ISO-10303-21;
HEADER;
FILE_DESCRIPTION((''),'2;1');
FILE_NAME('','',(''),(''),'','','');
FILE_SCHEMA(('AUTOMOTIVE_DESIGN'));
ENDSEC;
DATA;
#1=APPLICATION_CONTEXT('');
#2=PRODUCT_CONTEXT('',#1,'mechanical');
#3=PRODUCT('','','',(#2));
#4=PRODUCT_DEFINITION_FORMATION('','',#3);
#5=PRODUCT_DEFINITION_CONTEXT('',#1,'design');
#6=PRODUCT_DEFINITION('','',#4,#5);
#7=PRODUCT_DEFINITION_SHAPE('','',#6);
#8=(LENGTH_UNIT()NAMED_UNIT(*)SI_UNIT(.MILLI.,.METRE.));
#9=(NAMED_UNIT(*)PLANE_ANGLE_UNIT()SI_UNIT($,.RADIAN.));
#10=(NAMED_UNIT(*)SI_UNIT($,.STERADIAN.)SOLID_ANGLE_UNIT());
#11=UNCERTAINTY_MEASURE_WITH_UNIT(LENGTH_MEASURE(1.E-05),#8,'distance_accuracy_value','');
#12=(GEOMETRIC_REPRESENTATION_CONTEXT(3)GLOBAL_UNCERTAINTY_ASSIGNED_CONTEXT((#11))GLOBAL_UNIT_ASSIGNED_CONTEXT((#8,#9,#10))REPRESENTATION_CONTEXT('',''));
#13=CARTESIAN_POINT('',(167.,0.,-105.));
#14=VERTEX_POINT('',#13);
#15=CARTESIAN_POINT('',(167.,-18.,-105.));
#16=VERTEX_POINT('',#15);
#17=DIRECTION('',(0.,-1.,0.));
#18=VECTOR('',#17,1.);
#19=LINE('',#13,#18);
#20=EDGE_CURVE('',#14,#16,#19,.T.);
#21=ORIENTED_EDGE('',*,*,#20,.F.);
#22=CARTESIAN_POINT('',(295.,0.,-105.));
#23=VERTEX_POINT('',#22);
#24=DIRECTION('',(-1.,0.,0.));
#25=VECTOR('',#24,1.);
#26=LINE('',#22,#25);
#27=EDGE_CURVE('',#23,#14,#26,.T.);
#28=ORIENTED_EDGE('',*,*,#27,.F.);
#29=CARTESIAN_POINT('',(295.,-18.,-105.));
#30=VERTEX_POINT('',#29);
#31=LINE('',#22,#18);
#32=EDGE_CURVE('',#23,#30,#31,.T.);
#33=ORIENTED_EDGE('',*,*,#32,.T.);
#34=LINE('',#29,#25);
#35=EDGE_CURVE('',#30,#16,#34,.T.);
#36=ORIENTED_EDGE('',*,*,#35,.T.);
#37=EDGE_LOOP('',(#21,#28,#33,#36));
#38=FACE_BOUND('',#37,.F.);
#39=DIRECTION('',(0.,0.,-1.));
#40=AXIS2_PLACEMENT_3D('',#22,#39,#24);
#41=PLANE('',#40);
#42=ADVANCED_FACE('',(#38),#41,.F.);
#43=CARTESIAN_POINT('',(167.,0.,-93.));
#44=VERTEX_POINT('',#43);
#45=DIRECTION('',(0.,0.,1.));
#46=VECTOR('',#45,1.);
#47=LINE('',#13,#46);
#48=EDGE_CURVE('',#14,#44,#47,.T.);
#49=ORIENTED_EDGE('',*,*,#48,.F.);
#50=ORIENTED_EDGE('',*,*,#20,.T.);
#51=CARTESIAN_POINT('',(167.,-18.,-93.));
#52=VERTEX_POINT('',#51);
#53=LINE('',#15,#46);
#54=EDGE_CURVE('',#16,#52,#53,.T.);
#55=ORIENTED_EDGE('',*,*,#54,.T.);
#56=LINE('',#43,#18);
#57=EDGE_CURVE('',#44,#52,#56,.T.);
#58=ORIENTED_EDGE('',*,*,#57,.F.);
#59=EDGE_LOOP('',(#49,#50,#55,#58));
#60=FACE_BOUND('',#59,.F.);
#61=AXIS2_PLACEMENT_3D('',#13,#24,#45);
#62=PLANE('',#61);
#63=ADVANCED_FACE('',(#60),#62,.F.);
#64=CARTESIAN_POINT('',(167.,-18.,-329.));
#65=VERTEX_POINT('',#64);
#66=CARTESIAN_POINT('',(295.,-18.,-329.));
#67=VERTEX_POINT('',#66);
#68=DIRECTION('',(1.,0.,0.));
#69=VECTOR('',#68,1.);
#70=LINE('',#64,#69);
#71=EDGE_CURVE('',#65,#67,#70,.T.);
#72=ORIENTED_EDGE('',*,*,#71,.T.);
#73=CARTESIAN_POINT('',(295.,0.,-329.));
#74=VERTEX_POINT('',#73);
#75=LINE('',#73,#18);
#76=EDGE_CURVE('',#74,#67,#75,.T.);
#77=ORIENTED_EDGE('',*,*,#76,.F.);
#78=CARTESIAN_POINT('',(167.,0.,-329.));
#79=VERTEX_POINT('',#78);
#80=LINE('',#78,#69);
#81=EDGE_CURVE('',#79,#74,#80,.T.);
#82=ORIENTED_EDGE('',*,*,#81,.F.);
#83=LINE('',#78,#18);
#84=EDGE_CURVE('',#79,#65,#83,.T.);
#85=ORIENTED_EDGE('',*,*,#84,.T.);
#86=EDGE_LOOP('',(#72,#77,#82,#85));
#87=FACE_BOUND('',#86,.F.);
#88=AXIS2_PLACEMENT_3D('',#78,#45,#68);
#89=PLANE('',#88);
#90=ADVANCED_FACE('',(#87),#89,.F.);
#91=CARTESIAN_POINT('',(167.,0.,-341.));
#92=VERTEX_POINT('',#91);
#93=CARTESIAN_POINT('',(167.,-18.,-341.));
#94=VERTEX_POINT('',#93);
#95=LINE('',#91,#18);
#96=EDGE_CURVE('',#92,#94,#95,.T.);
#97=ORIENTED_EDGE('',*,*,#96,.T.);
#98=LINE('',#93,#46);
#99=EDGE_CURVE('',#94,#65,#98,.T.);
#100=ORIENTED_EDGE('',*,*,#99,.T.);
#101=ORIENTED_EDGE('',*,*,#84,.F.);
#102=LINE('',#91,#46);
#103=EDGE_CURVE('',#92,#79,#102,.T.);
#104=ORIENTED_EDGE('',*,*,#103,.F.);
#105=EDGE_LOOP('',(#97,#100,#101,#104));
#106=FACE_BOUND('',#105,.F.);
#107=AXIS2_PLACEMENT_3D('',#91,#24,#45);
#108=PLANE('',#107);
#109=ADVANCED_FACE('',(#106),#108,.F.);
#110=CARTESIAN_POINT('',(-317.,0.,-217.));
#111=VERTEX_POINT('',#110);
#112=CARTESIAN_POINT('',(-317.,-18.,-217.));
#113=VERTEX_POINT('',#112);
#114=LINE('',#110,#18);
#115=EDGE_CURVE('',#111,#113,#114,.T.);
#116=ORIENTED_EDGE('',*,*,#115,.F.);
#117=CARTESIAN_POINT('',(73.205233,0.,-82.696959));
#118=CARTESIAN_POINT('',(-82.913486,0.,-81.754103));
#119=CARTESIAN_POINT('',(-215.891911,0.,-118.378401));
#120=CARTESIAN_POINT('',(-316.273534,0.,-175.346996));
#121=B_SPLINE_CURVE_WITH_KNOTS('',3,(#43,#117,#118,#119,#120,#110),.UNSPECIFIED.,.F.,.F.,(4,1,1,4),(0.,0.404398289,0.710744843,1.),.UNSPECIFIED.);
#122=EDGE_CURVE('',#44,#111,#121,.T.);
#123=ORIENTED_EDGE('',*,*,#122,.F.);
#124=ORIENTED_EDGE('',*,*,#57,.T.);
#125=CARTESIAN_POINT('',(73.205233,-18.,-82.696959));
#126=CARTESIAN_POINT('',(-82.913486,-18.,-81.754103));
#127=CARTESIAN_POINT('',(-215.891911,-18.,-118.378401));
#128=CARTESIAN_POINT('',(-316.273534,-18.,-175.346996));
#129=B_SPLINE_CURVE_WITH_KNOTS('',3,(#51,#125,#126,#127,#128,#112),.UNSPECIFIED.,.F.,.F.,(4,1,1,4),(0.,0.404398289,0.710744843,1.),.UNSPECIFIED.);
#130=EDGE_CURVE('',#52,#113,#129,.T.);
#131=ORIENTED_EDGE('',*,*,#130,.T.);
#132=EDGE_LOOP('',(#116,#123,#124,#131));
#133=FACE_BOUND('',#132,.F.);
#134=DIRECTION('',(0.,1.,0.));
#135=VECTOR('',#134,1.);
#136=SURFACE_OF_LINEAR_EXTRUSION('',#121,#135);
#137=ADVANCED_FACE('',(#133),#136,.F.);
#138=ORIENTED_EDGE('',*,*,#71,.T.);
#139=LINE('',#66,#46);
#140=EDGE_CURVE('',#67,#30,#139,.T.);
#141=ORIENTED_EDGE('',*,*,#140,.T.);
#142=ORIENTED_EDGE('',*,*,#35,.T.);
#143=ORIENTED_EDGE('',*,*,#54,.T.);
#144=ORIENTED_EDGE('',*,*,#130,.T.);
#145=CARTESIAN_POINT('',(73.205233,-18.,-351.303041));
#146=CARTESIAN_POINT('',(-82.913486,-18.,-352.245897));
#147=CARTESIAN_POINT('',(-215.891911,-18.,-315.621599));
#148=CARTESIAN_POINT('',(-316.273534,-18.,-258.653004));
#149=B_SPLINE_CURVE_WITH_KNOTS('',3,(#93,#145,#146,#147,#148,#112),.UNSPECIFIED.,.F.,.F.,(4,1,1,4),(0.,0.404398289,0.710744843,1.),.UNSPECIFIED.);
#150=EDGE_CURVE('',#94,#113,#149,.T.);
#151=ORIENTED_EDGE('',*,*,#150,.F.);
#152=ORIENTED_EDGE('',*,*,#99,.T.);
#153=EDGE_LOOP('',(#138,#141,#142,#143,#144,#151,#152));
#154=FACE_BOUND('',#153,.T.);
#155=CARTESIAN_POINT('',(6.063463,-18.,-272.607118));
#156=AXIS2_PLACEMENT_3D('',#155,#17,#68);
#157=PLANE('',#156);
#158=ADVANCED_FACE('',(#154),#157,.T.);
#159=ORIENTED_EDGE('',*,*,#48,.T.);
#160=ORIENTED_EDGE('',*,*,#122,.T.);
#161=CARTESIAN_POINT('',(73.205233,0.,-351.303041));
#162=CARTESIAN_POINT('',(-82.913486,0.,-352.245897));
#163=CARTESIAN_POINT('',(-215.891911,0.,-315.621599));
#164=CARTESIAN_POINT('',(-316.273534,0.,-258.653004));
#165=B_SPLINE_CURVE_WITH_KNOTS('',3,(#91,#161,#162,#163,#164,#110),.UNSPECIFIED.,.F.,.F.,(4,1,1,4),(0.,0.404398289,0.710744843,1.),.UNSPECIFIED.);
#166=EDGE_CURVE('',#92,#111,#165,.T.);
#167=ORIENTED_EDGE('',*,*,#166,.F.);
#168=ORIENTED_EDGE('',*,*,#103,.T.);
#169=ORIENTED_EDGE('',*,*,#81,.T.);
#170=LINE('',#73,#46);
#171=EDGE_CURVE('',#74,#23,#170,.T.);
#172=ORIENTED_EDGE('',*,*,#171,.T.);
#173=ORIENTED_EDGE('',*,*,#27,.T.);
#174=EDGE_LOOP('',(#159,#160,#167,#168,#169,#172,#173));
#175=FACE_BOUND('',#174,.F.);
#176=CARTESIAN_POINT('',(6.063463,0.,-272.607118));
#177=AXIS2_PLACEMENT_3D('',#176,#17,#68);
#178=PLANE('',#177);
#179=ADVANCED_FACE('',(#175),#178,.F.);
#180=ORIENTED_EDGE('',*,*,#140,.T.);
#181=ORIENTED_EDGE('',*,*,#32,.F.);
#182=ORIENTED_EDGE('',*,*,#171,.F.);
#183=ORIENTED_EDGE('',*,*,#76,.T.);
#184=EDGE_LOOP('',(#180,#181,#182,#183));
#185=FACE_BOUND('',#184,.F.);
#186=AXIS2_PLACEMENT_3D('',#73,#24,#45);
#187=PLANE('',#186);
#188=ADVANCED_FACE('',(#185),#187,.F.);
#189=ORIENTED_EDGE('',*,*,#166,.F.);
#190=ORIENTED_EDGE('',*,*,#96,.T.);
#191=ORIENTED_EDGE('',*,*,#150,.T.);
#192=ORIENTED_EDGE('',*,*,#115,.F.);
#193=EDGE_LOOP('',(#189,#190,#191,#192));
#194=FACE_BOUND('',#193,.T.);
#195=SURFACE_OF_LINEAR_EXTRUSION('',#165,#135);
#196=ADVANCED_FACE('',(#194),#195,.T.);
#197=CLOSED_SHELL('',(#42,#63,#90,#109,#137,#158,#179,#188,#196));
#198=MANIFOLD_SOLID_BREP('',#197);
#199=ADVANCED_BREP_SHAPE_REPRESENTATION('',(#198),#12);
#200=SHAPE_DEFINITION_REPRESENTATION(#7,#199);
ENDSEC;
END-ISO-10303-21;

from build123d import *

# Parameters (mm, degrees)
F1_DEPTH = 18


with BuildPart() as f1:
    # F0 (on Front) → F1 (new body)
    with BuildSketch(Plane.XZ):
        with BuildLine():
            Line((295, -217), (-317, -217))
            add(Edge.make_bspline(
                [(167, -341), (73.2052326202, -351.3030406237), (-82.9134855426, -352.2458970512), (-215.8919105735, -315.6215987583), (-316.2735343339, -258.65300402), (-317, -217)],
                knots=[0, 0, 0, 0, 0.4043982891, 0.7107448428, 1, 1, 1, 1], degree=3))
            Line((167, -341), (167, -329))
            Line((167, -329), (295, -329))
            Line((295, -329), (295, -217))
        make_face()
        with BuildLine():
            add(Edge.make_bspline(
                [(167, -93), (73.2052326202, -82.6969593763), (-82.9134855426, -81.7541029488), (-215.8919105735, -118.3784012417), (-316.2735343339, -175.34699598), (-317, -217)],
                knots=[0, 0, 0, 0, 0.4043982891, 0.7107448428, 1, 1, 1, 1], degree=3))
            Line((-317, -217), (295, -217))
            Line((295, -217), (295, -105))
            Line((295, -105), (167, -105))
            Line((167, -105), (167, -93))
        make_face()
    extrude(amount=F1_DEPTH)


solid = f1.part
